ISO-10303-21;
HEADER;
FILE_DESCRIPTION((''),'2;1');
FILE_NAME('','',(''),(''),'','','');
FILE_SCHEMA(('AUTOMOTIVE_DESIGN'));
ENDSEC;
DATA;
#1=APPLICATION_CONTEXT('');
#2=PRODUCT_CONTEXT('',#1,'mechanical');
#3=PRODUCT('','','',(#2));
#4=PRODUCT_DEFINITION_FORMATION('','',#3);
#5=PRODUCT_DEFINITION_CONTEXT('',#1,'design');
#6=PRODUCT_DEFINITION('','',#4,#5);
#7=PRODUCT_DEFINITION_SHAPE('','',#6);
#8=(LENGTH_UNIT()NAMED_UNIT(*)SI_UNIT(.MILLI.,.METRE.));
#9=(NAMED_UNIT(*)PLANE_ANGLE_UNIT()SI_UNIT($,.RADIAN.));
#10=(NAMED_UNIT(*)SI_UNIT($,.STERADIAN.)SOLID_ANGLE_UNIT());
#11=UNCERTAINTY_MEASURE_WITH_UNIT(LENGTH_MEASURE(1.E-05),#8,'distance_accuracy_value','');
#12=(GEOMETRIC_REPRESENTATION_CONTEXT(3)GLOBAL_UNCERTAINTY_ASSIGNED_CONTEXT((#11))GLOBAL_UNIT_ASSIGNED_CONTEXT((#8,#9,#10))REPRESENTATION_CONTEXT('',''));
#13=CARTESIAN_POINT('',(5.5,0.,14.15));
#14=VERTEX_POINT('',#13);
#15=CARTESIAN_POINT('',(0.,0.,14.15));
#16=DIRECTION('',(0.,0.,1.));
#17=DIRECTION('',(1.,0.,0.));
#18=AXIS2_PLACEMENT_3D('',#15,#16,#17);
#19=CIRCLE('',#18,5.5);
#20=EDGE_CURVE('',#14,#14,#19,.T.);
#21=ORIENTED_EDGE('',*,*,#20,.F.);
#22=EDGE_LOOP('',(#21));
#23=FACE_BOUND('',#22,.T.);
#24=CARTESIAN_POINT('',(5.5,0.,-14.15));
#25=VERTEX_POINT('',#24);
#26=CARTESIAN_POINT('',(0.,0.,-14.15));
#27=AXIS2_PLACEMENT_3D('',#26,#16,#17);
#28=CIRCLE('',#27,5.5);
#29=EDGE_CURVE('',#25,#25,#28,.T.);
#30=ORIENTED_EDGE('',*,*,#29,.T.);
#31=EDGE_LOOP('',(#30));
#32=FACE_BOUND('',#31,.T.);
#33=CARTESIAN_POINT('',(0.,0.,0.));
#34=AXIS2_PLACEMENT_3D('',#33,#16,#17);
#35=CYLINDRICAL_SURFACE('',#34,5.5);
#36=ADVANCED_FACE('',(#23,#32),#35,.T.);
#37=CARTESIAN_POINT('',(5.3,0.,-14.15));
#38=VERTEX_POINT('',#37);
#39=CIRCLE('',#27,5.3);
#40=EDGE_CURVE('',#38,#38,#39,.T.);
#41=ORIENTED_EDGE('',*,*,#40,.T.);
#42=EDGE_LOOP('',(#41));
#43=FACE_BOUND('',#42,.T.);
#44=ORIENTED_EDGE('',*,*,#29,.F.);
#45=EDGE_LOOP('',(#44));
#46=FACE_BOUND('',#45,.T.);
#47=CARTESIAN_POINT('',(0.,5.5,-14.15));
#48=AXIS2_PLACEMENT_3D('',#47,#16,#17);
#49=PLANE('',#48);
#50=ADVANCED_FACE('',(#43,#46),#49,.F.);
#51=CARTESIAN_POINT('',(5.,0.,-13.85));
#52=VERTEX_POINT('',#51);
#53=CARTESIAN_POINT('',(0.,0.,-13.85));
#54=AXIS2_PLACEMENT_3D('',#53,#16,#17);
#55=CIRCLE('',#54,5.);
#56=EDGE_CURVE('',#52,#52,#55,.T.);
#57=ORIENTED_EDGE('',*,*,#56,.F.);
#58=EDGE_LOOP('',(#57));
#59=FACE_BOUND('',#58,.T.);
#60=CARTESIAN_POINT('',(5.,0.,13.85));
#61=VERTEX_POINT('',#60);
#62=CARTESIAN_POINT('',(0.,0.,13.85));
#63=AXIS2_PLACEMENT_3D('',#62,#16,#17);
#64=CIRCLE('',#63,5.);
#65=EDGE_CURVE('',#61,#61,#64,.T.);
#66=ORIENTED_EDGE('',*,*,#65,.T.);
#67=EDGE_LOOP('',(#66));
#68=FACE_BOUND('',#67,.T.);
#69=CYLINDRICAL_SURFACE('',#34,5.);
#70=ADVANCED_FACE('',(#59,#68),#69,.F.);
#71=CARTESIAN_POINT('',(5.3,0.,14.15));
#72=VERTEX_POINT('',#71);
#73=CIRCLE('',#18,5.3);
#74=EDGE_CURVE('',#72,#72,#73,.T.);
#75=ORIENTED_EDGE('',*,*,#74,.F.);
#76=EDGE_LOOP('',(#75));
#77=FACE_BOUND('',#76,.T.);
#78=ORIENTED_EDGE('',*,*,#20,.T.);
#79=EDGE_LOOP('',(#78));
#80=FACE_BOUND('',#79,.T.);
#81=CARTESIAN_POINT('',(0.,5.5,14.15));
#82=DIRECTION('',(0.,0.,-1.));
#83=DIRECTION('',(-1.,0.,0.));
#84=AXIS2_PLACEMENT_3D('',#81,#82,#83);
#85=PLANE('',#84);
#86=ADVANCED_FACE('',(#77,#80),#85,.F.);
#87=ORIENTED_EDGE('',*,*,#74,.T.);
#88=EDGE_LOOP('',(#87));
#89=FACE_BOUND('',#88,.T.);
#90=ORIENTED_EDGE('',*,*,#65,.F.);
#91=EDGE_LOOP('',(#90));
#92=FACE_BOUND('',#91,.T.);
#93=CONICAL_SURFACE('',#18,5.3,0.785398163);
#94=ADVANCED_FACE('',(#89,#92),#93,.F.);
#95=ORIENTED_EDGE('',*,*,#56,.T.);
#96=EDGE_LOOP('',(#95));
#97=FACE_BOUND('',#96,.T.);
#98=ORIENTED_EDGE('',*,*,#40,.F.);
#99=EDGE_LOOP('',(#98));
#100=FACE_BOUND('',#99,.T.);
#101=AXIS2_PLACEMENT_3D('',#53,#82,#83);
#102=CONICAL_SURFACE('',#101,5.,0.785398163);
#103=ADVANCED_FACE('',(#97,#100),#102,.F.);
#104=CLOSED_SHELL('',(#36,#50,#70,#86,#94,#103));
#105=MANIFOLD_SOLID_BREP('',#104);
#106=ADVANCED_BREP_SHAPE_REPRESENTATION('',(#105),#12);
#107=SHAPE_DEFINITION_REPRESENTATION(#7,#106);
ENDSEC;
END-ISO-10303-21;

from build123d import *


with BuildPart() as part:
    # Sketch1 → Revolve1 (revolve)
    with BuildSketch(Plane(origin=(0, 0, 0), x_dir=(0, 0, -1), z_dir=(1, 0, 0))):
        Polygon((-14.15, 5.5), (14.15, 5.5), (14.15, 5.3), (13.85, 5), (-13.85, 5), (-14.15, 5.3), align=None)
    revolve(axis=Axis((0, 0, 0), (0, 0, -1)))


solid = part.part
